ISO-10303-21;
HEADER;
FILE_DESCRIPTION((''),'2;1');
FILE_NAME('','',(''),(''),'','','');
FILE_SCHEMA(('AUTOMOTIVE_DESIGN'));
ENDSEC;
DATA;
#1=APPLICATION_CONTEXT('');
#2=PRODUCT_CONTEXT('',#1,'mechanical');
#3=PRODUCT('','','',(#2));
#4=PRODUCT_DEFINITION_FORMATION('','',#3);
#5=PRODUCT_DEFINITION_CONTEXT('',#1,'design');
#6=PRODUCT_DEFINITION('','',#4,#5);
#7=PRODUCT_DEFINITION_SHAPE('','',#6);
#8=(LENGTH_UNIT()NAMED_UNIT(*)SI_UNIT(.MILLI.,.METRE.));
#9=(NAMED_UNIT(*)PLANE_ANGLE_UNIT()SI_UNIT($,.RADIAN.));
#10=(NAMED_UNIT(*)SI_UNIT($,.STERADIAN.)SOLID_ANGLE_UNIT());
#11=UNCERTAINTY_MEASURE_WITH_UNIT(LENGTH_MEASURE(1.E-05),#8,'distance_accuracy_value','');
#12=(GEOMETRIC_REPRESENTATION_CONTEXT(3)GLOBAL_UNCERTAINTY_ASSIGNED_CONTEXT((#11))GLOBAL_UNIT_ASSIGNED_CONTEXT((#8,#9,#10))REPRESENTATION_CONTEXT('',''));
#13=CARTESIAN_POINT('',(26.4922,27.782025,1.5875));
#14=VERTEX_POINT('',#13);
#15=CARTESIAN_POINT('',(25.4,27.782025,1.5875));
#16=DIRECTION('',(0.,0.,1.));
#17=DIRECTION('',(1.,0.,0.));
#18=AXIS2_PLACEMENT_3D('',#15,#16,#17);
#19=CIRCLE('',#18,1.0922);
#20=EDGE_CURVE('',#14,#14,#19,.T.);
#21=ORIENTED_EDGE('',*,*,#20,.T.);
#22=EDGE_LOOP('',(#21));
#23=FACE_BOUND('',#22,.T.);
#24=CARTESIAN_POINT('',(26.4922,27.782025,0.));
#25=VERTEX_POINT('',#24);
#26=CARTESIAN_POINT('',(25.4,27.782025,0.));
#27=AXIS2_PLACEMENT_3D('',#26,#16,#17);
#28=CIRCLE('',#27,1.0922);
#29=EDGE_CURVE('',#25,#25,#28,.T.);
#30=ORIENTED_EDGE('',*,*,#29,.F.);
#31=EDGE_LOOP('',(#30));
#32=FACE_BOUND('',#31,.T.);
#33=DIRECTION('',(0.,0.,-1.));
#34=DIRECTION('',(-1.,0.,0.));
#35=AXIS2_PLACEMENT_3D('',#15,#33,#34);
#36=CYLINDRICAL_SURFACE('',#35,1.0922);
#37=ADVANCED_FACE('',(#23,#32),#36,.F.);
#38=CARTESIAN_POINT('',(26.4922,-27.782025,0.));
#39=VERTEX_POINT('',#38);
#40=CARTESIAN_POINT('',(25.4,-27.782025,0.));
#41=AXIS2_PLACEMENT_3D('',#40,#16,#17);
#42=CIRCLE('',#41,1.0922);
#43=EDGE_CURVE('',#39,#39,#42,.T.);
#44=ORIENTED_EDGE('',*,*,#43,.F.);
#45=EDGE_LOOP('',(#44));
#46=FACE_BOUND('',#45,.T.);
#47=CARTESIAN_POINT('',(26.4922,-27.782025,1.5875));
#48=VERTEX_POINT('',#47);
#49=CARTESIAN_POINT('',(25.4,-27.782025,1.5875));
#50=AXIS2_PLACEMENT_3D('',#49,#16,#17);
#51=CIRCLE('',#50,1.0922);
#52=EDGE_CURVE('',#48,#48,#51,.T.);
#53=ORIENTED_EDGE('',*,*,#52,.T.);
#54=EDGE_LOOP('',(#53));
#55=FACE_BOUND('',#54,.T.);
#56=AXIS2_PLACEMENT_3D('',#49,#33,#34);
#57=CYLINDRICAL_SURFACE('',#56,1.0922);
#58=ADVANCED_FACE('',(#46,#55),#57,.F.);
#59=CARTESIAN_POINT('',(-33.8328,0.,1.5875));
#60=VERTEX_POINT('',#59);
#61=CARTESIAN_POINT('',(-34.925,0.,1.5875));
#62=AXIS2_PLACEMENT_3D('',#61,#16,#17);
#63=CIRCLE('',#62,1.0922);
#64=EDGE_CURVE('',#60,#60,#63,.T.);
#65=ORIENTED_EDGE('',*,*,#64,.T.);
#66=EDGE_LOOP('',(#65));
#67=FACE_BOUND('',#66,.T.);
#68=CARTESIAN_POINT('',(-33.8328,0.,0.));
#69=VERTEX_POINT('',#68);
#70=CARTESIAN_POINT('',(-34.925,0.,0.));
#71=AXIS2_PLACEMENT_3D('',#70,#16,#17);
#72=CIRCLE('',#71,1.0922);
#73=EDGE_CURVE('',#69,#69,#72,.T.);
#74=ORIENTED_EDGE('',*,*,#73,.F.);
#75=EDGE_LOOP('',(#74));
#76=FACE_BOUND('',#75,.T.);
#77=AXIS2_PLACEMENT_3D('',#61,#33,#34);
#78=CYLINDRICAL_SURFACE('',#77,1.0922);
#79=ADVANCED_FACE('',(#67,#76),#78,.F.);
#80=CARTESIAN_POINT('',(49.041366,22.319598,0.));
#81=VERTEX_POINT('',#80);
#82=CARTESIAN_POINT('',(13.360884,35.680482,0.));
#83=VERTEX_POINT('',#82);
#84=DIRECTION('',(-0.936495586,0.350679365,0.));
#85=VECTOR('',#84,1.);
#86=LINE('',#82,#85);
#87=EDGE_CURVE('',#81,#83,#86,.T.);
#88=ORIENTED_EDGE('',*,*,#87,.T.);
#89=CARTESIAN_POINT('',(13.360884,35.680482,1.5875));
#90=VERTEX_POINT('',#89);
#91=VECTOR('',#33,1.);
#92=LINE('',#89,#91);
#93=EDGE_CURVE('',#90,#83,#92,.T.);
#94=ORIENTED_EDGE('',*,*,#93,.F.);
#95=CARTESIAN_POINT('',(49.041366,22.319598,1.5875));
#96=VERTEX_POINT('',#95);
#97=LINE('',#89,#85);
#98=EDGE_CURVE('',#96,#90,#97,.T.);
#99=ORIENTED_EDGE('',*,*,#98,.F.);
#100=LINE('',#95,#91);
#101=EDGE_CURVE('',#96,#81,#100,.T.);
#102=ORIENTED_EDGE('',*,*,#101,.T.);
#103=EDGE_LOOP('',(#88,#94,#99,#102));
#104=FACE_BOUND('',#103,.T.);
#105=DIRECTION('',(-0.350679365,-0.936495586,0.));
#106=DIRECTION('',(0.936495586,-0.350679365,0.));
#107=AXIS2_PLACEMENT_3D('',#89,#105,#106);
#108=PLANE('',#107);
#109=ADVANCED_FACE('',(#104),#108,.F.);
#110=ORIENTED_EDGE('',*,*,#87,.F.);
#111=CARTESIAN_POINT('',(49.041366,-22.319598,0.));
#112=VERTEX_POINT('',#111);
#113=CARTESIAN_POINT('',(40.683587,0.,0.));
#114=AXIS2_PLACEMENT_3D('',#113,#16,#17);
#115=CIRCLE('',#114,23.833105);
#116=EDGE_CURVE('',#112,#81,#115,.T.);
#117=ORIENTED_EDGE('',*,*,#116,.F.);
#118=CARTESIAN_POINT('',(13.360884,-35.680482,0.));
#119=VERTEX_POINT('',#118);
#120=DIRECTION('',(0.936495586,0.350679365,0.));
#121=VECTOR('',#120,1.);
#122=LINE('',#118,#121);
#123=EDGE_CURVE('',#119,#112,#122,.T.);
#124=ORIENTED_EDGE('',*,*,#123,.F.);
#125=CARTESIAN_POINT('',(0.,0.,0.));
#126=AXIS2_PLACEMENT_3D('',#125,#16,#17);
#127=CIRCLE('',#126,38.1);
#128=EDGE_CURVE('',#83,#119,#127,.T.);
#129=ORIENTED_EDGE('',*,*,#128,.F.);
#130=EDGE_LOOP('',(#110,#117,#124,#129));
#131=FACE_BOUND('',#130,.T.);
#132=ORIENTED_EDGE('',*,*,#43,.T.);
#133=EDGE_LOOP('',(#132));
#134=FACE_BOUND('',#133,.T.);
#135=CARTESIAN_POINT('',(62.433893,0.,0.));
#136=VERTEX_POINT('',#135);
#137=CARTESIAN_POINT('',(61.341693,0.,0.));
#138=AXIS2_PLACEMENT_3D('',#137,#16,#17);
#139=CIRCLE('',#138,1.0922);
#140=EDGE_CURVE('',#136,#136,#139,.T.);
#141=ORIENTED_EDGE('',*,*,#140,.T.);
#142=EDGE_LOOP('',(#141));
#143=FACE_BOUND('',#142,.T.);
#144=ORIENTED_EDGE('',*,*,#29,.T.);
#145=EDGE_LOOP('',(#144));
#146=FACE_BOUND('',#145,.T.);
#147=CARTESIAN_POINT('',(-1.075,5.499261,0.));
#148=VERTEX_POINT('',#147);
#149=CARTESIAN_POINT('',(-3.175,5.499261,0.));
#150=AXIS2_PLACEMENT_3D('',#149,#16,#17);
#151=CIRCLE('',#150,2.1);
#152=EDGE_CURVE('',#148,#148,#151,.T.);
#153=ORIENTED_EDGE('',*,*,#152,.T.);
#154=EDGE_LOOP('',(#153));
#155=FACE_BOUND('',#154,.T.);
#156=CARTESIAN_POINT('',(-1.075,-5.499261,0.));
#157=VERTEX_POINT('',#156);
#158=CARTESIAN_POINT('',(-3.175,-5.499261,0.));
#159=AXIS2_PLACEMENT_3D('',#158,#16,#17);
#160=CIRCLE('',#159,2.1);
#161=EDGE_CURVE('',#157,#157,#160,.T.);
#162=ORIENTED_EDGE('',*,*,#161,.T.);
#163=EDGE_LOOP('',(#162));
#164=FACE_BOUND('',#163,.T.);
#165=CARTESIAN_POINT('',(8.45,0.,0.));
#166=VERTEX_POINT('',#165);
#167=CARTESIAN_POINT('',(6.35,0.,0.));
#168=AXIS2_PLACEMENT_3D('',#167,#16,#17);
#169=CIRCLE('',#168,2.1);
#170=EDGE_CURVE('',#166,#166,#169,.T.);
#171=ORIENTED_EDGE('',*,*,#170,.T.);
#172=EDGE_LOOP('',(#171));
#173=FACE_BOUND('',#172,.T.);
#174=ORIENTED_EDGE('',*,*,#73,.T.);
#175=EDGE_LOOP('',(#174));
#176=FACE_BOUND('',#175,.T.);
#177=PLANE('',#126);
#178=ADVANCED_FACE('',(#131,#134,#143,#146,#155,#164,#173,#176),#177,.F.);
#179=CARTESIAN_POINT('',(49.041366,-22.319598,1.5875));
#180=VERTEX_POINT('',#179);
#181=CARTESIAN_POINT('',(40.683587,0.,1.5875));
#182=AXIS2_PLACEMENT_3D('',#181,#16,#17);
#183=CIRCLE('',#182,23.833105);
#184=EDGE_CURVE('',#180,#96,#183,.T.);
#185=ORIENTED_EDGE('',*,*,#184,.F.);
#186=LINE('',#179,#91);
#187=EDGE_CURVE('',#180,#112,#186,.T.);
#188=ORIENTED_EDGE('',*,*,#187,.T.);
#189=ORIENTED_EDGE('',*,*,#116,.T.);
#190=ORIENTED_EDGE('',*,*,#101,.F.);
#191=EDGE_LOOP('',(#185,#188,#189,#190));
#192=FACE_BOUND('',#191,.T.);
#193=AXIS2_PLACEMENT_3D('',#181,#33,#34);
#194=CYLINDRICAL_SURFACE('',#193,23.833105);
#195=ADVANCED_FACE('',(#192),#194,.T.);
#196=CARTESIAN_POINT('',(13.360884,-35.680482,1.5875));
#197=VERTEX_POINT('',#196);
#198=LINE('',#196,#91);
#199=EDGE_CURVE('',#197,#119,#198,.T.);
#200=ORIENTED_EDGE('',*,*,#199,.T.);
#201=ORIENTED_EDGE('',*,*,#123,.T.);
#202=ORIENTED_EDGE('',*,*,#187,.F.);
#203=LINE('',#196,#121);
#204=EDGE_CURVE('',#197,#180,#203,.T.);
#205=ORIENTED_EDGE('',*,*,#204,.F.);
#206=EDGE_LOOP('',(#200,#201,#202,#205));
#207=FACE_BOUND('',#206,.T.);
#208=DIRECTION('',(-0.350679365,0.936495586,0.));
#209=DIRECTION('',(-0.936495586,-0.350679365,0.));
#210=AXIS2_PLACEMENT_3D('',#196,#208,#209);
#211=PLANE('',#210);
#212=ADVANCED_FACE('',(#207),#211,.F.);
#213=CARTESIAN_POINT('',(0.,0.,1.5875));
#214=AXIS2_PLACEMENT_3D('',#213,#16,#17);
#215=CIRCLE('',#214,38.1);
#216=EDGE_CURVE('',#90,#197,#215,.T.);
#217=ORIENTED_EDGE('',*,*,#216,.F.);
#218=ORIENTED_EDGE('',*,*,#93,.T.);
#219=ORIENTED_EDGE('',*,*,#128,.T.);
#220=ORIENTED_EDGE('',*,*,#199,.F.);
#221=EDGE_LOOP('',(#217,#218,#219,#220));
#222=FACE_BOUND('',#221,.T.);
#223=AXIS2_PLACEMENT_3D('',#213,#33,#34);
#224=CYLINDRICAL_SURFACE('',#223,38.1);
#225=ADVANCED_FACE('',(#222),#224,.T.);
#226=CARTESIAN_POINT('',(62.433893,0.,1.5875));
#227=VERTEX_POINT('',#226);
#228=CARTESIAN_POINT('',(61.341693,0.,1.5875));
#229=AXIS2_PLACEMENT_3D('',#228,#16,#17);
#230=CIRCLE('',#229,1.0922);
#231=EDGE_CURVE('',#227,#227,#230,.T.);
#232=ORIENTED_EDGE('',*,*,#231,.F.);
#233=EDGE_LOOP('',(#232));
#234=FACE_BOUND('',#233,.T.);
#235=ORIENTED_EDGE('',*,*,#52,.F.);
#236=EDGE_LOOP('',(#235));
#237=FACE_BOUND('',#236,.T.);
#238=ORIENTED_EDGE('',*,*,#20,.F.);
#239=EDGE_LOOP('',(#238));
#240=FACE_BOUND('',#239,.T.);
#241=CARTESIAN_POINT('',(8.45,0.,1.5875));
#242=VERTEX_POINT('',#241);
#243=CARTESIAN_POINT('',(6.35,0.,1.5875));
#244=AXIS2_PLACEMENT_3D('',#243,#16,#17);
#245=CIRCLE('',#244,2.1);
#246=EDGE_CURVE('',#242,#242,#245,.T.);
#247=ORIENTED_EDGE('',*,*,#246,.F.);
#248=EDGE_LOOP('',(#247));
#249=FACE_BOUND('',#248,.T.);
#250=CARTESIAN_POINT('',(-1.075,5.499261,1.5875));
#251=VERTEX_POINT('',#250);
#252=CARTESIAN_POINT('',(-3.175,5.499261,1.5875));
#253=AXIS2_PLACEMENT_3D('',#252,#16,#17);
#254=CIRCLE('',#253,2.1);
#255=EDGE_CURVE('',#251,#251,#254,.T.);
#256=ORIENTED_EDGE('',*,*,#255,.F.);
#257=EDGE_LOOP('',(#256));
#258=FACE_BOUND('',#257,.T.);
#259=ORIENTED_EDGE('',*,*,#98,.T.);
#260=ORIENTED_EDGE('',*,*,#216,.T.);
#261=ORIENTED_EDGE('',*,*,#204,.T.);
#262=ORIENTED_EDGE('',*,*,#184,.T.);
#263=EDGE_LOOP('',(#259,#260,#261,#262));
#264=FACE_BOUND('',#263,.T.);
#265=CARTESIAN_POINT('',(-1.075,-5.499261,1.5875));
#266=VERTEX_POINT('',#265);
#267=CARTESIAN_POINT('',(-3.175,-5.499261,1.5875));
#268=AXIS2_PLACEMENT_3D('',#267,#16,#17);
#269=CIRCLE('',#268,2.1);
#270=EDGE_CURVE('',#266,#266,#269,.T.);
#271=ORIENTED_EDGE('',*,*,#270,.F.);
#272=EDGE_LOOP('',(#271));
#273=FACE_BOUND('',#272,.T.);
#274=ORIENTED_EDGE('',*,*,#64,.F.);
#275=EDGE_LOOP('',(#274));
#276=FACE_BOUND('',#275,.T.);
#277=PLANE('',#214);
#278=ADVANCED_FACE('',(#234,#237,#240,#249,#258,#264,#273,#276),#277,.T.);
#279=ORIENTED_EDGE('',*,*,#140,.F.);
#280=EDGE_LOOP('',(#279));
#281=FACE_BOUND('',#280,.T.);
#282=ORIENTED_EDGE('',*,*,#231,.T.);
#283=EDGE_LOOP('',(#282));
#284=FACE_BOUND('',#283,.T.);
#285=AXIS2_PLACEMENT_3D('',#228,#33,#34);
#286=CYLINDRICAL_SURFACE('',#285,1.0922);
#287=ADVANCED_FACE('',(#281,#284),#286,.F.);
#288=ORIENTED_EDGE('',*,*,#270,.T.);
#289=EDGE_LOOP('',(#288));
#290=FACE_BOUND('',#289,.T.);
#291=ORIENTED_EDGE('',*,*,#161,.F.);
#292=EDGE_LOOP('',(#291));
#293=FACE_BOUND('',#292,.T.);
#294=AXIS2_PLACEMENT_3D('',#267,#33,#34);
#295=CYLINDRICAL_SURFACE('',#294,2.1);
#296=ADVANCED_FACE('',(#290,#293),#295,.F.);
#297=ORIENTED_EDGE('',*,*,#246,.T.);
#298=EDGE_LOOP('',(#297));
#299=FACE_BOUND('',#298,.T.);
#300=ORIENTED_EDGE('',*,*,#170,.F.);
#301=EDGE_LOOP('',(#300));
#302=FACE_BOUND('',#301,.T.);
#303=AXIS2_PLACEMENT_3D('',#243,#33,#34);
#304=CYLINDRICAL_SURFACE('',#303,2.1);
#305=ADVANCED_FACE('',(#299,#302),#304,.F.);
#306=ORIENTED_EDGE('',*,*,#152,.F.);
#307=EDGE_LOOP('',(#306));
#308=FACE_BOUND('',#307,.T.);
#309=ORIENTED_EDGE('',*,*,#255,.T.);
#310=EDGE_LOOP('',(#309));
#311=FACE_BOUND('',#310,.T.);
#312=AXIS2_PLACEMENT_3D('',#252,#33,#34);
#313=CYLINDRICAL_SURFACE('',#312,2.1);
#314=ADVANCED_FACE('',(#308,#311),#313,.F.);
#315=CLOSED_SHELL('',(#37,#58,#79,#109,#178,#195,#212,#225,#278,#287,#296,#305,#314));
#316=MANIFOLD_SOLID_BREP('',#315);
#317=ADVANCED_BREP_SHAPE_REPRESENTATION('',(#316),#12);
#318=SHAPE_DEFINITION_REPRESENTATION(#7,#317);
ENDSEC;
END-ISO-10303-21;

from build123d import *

# Parameters (mm, degrees)
SKETCH1_R           = 1.0922
SKETCH1_R_2         = 2.1
BOSS_EXTRUDE1_DEPTH = 1.5875


with BuildPart() as part:
    # Sketch1 → Boss-Extrude1 (new body)
    with BuildSketch(Plane.XY):
        with BuildLine():
            Line((13.360883802, 35.680481836), (49.041365638, 22.319598034))
            ThreePointArc((49.041365638, 22.319598034), (64.516692787, 0), (49.041365638, -22.319598034))
            Line((49.041365638, -22.319598034), (13.360883802, -35.680481836))
            ThreePointArc((13.360883802, -35.680481836), (-38.1, 0), (13.360883802, 35.680481836))
        make_face()
        with Locations((61.341692787, 0)):
            Circle(SKETCH1_R, mode=Mode.SUBTRACT)
        with Locations((25.4, 27.782025366)):
            Circle(SKETCH1_R, mode=Mode.SUBTRACT)
        with Locations((25.4, -27.782025366)):
            Circle(SKETCH1_R, mode=Mode.SUBTRACT)
        with Locations((-34.925, 0)):
            Circle(SKETCH1_R, mode=Mode.SUBTRACT)
        with Locations((6.35, 0)):
            Circle(SKETCH1_R_2, mode=Mode.SUBTRACT)
        with Locations((-3.175, -5.499261314)):
            Circle(SKETCH1_R_2, mode=Mode.SUBTRACT)
        with Locations((-3.175, 5.499261314)):
            Circle(SKETCH1_R_2, mode=Mode.SUBTRACT)
    extrude(amount=BOSS_EXTRUDE1_DEPTH)


solid = part.part
